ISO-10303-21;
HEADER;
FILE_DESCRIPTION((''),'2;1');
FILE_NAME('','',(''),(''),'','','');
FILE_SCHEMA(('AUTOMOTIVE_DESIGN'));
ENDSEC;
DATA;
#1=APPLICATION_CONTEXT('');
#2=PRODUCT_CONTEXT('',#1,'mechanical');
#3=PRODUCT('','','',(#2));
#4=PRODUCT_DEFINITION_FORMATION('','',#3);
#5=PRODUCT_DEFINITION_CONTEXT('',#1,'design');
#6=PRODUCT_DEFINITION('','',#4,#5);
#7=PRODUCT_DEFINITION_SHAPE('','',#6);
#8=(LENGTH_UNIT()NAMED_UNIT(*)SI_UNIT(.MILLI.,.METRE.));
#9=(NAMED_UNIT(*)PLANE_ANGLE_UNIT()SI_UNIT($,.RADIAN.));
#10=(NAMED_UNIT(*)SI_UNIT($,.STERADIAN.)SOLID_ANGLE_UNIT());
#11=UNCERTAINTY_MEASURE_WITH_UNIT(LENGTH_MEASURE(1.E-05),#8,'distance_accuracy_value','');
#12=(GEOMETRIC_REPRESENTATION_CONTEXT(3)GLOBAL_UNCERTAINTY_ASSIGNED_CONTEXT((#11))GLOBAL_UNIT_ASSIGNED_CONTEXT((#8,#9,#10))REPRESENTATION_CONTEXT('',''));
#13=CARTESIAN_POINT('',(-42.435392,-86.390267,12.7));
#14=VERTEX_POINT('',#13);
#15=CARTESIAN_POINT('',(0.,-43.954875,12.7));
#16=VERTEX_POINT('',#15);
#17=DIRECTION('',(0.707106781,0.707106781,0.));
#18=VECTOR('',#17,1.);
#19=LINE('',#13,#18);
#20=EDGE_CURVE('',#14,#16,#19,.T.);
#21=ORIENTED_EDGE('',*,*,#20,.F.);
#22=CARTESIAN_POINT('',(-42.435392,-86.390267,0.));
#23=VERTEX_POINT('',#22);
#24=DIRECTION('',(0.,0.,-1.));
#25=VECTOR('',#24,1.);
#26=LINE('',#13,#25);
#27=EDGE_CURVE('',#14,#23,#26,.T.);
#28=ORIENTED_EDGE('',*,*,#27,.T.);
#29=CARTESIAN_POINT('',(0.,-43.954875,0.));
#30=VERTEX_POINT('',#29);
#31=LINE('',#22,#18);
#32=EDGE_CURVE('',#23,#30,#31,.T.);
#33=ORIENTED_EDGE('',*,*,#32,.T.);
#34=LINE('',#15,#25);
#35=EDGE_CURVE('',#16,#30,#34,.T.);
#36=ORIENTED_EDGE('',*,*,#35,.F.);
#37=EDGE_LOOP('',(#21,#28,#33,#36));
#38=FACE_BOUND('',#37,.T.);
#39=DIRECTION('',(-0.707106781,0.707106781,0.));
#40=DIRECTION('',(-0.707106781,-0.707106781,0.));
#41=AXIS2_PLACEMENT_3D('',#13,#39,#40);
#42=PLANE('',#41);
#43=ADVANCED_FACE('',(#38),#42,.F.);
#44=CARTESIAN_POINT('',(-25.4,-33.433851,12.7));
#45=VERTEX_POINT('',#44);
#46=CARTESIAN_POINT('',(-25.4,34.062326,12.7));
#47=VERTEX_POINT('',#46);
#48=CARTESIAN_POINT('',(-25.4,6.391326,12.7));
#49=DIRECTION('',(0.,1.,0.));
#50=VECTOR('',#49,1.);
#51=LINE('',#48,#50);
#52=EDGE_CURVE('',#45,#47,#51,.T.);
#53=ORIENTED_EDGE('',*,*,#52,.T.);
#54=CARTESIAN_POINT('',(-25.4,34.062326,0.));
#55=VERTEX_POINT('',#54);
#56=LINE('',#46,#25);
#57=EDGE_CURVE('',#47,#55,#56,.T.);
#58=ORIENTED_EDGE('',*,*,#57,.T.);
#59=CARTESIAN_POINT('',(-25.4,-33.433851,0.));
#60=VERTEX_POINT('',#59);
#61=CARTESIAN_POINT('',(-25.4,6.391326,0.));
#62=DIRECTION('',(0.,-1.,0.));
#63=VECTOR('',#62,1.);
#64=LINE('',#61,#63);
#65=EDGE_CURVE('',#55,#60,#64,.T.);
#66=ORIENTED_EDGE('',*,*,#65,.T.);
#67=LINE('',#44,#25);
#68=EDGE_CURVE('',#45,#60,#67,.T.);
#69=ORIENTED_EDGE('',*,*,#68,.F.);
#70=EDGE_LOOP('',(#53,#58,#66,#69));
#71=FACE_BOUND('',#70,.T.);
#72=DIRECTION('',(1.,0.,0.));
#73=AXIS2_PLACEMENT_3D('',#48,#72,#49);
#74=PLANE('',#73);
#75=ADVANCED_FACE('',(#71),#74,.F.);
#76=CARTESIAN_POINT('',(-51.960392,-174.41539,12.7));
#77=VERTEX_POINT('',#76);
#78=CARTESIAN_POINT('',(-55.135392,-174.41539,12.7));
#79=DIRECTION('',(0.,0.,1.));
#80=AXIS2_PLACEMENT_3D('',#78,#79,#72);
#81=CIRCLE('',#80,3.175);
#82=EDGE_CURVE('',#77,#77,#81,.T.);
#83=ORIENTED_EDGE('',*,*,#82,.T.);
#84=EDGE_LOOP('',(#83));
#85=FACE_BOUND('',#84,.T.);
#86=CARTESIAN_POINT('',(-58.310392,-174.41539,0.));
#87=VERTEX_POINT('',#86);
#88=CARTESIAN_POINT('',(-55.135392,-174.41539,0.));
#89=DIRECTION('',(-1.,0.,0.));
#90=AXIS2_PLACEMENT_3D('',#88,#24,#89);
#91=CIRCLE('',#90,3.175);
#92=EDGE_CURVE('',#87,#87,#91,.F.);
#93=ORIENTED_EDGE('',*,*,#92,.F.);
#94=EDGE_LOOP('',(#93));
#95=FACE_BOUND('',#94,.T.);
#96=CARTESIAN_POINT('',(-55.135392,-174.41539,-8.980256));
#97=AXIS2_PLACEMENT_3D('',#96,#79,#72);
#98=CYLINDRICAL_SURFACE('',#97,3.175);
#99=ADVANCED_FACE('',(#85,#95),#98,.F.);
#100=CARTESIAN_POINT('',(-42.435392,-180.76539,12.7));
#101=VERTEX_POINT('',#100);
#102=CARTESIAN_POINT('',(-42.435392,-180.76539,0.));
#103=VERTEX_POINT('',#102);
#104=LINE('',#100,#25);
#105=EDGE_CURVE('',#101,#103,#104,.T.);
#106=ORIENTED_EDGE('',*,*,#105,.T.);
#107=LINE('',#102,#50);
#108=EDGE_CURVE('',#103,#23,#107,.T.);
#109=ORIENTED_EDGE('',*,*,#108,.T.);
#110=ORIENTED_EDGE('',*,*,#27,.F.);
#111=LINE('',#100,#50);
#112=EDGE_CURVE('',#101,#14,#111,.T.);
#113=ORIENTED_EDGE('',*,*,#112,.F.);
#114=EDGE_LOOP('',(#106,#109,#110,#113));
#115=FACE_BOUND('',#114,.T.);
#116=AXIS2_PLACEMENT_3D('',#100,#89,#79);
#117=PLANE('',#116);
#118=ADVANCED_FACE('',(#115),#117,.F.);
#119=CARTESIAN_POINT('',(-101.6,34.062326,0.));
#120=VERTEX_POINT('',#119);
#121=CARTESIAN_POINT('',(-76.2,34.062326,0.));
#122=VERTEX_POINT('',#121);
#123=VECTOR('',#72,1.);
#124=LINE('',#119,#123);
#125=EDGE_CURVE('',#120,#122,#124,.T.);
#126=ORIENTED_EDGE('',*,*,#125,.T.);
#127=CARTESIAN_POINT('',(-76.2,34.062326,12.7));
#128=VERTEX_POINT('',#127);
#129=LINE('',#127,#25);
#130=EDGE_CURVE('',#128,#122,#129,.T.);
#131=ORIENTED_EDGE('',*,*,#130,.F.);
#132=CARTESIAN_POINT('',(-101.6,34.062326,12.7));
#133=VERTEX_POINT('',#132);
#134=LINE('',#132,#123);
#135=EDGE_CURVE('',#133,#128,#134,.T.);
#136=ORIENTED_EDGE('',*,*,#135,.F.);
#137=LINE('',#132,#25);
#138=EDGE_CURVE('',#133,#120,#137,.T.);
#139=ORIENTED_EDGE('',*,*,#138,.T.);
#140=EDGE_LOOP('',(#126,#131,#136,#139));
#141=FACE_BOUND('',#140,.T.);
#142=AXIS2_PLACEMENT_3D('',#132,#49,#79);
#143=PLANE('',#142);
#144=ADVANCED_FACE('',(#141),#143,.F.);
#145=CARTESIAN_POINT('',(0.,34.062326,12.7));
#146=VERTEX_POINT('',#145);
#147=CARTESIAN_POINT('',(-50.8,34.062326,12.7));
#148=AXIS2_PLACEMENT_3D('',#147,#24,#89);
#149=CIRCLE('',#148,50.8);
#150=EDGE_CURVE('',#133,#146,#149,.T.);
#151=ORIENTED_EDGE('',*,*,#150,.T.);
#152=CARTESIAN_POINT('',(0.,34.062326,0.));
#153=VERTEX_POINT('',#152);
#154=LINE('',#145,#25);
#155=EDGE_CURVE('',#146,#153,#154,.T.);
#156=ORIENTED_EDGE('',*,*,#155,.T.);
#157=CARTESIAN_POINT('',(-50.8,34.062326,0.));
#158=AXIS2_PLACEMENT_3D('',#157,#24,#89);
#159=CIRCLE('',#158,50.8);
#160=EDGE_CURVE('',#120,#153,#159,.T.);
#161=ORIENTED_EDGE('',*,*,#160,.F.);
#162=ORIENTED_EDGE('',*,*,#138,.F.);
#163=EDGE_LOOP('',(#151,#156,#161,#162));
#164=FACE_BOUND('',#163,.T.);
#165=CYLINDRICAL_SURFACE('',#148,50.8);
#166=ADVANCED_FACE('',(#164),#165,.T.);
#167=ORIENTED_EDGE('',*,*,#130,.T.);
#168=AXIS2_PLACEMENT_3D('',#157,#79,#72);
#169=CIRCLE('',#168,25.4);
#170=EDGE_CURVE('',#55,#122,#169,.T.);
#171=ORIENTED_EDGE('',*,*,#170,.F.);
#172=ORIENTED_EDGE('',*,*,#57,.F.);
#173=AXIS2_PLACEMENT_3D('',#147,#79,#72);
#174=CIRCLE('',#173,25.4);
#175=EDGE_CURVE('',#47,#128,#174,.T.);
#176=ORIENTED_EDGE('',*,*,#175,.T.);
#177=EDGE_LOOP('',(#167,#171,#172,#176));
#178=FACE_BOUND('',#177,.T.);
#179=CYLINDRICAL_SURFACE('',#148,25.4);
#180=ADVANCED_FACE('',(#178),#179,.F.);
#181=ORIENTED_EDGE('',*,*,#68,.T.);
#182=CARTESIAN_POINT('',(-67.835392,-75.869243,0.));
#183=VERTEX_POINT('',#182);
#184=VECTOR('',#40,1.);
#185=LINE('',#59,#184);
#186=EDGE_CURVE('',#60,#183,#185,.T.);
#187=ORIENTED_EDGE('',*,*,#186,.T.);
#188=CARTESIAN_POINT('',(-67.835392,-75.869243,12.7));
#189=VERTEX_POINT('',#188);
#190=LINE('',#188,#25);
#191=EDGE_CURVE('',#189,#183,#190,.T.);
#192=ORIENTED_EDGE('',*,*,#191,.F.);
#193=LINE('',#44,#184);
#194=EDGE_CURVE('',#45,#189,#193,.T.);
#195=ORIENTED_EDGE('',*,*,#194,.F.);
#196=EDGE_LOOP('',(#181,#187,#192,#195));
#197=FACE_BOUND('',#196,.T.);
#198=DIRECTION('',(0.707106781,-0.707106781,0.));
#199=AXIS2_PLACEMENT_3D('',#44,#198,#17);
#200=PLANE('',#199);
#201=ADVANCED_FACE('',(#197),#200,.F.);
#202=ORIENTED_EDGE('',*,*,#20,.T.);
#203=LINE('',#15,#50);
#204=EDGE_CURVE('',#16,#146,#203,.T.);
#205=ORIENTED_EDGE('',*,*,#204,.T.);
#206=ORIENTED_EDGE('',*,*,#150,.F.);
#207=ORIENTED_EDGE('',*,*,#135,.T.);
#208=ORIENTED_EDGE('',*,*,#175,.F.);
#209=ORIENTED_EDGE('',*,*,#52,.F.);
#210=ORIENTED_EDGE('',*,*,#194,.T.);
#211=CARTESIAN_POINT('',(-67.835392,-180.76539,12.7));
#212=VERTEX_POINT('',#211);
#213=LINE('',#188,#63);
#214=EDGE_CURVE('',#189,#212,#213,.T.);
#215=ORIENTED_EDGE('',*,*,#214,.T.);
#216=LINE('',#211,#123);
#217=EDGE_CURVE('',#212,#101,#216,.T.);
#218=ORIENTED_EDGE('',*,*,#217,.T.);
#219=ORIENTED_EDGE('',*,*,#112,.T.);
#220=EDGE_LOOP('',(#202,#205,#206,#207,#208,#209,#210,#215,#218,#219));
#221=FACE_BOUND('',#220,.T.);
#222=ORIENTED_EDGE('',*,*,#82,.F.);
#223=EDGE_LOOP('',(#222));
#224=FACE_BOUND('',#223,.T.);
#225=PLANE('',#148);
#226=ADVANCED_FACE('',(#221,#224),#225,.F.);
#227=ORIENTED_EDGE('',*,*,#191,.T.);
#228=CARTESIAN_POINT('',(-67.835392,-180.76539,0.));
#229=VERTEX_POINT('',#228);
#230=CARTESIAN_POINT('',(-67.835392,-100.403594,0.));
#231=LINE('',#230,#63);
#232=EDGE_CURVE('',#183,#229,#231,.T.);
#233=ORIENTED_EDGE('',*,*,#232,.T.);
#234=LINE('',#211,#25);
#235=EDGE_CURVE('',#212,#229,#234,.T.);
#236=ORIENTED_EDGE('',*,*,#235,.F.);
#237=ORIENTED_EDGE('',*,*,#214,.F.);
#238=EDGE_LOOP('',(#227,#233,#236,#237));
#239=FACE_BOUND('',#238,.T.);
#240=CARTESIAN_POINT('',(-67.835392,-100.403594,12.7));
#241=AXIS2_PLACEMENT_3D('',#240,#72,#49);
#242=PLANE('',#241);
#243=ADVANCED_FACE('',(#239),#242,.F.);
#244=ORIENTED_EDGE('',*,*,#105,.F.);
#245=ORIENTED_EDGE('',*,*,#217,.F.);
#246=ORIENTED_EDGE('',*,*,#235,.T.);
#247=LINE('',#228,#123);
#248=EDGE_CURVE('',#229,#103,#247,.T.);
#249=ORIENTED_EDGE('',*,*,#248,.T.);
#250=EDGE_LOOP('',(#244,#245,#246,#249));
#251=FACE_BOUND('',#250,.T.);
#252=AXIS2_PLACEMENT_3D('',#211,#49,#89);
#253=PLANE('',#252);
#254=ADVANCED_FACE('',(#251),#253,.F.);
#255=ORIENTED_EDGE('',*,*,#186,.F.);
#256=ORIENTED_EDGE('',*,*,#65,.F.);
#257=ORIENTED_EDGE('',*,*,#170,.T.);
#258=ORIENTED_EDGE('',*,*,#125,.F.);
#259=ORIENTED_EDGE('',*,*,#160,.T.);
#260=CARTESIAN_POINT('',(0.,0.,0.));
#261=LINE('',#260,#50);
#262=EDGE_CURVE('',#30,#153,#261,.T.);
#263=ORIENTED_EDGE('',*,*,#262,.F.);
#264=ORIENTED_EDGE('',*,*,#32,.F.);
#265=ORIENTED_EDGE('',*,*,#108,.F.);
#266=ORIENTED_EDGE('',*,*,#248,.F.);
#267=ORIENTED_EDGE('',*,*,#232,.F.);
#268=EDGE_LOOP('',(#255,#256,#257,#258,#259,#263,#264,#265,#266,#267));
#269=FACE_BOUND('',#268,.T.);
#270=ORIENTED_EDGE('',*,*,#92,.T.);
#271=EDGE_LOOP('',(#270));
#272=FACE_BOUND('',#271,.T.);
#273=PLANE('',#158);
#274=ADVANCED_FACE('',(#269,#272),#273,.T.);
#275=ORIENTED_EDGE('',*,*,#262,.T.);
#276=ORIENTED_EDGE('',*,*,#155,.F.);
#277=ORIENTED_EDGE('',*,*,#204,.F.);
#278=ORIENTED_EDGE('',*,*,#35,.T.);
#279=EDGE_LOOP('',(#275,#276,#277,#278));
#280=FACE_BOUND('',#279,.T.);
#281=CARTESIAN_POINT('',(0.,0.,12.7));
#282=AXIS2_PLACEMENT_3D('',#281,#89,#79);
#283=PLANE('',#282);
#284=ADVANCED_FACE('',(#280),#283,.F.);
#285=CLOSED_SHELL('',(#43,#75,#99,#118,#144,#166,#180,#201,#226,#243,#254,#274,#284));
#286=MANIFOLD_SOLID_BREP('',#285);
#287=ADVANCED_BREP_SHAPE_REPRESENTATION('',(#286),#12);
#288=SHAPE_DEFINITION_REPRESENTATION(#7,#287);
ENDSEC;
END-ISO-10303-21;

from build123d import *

# Parameters (mm, degrees)
BOSS_EXTRUDE1_DEPTH = 12.7
SKETCH2_R           = 3.175
CUT_EXTRUDE1_DEPTH  = 12.7


with BuildPart() as part:
    # Sketch1 → Boss-Extrude1 (new body)
    with BuildSketch(Plane.XY):
        with BuildLine():
            Line((-25.4, 6.391326247), (-25.4, 34.062325918))
            ThreePointArc((-25.4, 34.062325918), (-50.8, 59.462325918), (-76.2, 34.062325918))
            Line((-76.2, 34.062325918), (-101.6, 34.062325918))
            ThreePointArc((-101.6, 34.062325918), (-50.8, 84.862325918), (0, 34.062325918))
            Line((0, 34.062325918), (0, 0))
            Line((0, 0), (0, -43.954875224))
            Line((0, -43.954875224), (-42.435391943, -86.390267166))
            Line((-42.435391943, -86.390267166), (-42.435391943, -180.765389634))
            Line((-42.435391943, -180.765389634), (-67.835391943, -180.765389634))
            Line((-67.835391943, -180.765389634), (-67.835391943, -100.403593512))
            Line((-67.835391943, -100.403593512), (-67.835391943, -75.869242682))
            Line((-67.835391943, -75.869242682), (-25.4, -33.433850739))
            Line((-25.4, -33.433850739), (-25.4, 6.391326247))
        make_face()
    extrude(amount=BOSS_EXTRUDE1_DEPTH)

    # Sketch2 → Cut-Extrude1 (cut)
    with BuildSketch(Plane.XY.offset(12.7)):
        with Locations((-55.135391943, -174.415389634)):
            Circle(SKETCH2_R)
    extrude(amount=-CUT_EXTRUDE1_DEPTH, mode=Mode.SUBTRACT)


solid = part.part
